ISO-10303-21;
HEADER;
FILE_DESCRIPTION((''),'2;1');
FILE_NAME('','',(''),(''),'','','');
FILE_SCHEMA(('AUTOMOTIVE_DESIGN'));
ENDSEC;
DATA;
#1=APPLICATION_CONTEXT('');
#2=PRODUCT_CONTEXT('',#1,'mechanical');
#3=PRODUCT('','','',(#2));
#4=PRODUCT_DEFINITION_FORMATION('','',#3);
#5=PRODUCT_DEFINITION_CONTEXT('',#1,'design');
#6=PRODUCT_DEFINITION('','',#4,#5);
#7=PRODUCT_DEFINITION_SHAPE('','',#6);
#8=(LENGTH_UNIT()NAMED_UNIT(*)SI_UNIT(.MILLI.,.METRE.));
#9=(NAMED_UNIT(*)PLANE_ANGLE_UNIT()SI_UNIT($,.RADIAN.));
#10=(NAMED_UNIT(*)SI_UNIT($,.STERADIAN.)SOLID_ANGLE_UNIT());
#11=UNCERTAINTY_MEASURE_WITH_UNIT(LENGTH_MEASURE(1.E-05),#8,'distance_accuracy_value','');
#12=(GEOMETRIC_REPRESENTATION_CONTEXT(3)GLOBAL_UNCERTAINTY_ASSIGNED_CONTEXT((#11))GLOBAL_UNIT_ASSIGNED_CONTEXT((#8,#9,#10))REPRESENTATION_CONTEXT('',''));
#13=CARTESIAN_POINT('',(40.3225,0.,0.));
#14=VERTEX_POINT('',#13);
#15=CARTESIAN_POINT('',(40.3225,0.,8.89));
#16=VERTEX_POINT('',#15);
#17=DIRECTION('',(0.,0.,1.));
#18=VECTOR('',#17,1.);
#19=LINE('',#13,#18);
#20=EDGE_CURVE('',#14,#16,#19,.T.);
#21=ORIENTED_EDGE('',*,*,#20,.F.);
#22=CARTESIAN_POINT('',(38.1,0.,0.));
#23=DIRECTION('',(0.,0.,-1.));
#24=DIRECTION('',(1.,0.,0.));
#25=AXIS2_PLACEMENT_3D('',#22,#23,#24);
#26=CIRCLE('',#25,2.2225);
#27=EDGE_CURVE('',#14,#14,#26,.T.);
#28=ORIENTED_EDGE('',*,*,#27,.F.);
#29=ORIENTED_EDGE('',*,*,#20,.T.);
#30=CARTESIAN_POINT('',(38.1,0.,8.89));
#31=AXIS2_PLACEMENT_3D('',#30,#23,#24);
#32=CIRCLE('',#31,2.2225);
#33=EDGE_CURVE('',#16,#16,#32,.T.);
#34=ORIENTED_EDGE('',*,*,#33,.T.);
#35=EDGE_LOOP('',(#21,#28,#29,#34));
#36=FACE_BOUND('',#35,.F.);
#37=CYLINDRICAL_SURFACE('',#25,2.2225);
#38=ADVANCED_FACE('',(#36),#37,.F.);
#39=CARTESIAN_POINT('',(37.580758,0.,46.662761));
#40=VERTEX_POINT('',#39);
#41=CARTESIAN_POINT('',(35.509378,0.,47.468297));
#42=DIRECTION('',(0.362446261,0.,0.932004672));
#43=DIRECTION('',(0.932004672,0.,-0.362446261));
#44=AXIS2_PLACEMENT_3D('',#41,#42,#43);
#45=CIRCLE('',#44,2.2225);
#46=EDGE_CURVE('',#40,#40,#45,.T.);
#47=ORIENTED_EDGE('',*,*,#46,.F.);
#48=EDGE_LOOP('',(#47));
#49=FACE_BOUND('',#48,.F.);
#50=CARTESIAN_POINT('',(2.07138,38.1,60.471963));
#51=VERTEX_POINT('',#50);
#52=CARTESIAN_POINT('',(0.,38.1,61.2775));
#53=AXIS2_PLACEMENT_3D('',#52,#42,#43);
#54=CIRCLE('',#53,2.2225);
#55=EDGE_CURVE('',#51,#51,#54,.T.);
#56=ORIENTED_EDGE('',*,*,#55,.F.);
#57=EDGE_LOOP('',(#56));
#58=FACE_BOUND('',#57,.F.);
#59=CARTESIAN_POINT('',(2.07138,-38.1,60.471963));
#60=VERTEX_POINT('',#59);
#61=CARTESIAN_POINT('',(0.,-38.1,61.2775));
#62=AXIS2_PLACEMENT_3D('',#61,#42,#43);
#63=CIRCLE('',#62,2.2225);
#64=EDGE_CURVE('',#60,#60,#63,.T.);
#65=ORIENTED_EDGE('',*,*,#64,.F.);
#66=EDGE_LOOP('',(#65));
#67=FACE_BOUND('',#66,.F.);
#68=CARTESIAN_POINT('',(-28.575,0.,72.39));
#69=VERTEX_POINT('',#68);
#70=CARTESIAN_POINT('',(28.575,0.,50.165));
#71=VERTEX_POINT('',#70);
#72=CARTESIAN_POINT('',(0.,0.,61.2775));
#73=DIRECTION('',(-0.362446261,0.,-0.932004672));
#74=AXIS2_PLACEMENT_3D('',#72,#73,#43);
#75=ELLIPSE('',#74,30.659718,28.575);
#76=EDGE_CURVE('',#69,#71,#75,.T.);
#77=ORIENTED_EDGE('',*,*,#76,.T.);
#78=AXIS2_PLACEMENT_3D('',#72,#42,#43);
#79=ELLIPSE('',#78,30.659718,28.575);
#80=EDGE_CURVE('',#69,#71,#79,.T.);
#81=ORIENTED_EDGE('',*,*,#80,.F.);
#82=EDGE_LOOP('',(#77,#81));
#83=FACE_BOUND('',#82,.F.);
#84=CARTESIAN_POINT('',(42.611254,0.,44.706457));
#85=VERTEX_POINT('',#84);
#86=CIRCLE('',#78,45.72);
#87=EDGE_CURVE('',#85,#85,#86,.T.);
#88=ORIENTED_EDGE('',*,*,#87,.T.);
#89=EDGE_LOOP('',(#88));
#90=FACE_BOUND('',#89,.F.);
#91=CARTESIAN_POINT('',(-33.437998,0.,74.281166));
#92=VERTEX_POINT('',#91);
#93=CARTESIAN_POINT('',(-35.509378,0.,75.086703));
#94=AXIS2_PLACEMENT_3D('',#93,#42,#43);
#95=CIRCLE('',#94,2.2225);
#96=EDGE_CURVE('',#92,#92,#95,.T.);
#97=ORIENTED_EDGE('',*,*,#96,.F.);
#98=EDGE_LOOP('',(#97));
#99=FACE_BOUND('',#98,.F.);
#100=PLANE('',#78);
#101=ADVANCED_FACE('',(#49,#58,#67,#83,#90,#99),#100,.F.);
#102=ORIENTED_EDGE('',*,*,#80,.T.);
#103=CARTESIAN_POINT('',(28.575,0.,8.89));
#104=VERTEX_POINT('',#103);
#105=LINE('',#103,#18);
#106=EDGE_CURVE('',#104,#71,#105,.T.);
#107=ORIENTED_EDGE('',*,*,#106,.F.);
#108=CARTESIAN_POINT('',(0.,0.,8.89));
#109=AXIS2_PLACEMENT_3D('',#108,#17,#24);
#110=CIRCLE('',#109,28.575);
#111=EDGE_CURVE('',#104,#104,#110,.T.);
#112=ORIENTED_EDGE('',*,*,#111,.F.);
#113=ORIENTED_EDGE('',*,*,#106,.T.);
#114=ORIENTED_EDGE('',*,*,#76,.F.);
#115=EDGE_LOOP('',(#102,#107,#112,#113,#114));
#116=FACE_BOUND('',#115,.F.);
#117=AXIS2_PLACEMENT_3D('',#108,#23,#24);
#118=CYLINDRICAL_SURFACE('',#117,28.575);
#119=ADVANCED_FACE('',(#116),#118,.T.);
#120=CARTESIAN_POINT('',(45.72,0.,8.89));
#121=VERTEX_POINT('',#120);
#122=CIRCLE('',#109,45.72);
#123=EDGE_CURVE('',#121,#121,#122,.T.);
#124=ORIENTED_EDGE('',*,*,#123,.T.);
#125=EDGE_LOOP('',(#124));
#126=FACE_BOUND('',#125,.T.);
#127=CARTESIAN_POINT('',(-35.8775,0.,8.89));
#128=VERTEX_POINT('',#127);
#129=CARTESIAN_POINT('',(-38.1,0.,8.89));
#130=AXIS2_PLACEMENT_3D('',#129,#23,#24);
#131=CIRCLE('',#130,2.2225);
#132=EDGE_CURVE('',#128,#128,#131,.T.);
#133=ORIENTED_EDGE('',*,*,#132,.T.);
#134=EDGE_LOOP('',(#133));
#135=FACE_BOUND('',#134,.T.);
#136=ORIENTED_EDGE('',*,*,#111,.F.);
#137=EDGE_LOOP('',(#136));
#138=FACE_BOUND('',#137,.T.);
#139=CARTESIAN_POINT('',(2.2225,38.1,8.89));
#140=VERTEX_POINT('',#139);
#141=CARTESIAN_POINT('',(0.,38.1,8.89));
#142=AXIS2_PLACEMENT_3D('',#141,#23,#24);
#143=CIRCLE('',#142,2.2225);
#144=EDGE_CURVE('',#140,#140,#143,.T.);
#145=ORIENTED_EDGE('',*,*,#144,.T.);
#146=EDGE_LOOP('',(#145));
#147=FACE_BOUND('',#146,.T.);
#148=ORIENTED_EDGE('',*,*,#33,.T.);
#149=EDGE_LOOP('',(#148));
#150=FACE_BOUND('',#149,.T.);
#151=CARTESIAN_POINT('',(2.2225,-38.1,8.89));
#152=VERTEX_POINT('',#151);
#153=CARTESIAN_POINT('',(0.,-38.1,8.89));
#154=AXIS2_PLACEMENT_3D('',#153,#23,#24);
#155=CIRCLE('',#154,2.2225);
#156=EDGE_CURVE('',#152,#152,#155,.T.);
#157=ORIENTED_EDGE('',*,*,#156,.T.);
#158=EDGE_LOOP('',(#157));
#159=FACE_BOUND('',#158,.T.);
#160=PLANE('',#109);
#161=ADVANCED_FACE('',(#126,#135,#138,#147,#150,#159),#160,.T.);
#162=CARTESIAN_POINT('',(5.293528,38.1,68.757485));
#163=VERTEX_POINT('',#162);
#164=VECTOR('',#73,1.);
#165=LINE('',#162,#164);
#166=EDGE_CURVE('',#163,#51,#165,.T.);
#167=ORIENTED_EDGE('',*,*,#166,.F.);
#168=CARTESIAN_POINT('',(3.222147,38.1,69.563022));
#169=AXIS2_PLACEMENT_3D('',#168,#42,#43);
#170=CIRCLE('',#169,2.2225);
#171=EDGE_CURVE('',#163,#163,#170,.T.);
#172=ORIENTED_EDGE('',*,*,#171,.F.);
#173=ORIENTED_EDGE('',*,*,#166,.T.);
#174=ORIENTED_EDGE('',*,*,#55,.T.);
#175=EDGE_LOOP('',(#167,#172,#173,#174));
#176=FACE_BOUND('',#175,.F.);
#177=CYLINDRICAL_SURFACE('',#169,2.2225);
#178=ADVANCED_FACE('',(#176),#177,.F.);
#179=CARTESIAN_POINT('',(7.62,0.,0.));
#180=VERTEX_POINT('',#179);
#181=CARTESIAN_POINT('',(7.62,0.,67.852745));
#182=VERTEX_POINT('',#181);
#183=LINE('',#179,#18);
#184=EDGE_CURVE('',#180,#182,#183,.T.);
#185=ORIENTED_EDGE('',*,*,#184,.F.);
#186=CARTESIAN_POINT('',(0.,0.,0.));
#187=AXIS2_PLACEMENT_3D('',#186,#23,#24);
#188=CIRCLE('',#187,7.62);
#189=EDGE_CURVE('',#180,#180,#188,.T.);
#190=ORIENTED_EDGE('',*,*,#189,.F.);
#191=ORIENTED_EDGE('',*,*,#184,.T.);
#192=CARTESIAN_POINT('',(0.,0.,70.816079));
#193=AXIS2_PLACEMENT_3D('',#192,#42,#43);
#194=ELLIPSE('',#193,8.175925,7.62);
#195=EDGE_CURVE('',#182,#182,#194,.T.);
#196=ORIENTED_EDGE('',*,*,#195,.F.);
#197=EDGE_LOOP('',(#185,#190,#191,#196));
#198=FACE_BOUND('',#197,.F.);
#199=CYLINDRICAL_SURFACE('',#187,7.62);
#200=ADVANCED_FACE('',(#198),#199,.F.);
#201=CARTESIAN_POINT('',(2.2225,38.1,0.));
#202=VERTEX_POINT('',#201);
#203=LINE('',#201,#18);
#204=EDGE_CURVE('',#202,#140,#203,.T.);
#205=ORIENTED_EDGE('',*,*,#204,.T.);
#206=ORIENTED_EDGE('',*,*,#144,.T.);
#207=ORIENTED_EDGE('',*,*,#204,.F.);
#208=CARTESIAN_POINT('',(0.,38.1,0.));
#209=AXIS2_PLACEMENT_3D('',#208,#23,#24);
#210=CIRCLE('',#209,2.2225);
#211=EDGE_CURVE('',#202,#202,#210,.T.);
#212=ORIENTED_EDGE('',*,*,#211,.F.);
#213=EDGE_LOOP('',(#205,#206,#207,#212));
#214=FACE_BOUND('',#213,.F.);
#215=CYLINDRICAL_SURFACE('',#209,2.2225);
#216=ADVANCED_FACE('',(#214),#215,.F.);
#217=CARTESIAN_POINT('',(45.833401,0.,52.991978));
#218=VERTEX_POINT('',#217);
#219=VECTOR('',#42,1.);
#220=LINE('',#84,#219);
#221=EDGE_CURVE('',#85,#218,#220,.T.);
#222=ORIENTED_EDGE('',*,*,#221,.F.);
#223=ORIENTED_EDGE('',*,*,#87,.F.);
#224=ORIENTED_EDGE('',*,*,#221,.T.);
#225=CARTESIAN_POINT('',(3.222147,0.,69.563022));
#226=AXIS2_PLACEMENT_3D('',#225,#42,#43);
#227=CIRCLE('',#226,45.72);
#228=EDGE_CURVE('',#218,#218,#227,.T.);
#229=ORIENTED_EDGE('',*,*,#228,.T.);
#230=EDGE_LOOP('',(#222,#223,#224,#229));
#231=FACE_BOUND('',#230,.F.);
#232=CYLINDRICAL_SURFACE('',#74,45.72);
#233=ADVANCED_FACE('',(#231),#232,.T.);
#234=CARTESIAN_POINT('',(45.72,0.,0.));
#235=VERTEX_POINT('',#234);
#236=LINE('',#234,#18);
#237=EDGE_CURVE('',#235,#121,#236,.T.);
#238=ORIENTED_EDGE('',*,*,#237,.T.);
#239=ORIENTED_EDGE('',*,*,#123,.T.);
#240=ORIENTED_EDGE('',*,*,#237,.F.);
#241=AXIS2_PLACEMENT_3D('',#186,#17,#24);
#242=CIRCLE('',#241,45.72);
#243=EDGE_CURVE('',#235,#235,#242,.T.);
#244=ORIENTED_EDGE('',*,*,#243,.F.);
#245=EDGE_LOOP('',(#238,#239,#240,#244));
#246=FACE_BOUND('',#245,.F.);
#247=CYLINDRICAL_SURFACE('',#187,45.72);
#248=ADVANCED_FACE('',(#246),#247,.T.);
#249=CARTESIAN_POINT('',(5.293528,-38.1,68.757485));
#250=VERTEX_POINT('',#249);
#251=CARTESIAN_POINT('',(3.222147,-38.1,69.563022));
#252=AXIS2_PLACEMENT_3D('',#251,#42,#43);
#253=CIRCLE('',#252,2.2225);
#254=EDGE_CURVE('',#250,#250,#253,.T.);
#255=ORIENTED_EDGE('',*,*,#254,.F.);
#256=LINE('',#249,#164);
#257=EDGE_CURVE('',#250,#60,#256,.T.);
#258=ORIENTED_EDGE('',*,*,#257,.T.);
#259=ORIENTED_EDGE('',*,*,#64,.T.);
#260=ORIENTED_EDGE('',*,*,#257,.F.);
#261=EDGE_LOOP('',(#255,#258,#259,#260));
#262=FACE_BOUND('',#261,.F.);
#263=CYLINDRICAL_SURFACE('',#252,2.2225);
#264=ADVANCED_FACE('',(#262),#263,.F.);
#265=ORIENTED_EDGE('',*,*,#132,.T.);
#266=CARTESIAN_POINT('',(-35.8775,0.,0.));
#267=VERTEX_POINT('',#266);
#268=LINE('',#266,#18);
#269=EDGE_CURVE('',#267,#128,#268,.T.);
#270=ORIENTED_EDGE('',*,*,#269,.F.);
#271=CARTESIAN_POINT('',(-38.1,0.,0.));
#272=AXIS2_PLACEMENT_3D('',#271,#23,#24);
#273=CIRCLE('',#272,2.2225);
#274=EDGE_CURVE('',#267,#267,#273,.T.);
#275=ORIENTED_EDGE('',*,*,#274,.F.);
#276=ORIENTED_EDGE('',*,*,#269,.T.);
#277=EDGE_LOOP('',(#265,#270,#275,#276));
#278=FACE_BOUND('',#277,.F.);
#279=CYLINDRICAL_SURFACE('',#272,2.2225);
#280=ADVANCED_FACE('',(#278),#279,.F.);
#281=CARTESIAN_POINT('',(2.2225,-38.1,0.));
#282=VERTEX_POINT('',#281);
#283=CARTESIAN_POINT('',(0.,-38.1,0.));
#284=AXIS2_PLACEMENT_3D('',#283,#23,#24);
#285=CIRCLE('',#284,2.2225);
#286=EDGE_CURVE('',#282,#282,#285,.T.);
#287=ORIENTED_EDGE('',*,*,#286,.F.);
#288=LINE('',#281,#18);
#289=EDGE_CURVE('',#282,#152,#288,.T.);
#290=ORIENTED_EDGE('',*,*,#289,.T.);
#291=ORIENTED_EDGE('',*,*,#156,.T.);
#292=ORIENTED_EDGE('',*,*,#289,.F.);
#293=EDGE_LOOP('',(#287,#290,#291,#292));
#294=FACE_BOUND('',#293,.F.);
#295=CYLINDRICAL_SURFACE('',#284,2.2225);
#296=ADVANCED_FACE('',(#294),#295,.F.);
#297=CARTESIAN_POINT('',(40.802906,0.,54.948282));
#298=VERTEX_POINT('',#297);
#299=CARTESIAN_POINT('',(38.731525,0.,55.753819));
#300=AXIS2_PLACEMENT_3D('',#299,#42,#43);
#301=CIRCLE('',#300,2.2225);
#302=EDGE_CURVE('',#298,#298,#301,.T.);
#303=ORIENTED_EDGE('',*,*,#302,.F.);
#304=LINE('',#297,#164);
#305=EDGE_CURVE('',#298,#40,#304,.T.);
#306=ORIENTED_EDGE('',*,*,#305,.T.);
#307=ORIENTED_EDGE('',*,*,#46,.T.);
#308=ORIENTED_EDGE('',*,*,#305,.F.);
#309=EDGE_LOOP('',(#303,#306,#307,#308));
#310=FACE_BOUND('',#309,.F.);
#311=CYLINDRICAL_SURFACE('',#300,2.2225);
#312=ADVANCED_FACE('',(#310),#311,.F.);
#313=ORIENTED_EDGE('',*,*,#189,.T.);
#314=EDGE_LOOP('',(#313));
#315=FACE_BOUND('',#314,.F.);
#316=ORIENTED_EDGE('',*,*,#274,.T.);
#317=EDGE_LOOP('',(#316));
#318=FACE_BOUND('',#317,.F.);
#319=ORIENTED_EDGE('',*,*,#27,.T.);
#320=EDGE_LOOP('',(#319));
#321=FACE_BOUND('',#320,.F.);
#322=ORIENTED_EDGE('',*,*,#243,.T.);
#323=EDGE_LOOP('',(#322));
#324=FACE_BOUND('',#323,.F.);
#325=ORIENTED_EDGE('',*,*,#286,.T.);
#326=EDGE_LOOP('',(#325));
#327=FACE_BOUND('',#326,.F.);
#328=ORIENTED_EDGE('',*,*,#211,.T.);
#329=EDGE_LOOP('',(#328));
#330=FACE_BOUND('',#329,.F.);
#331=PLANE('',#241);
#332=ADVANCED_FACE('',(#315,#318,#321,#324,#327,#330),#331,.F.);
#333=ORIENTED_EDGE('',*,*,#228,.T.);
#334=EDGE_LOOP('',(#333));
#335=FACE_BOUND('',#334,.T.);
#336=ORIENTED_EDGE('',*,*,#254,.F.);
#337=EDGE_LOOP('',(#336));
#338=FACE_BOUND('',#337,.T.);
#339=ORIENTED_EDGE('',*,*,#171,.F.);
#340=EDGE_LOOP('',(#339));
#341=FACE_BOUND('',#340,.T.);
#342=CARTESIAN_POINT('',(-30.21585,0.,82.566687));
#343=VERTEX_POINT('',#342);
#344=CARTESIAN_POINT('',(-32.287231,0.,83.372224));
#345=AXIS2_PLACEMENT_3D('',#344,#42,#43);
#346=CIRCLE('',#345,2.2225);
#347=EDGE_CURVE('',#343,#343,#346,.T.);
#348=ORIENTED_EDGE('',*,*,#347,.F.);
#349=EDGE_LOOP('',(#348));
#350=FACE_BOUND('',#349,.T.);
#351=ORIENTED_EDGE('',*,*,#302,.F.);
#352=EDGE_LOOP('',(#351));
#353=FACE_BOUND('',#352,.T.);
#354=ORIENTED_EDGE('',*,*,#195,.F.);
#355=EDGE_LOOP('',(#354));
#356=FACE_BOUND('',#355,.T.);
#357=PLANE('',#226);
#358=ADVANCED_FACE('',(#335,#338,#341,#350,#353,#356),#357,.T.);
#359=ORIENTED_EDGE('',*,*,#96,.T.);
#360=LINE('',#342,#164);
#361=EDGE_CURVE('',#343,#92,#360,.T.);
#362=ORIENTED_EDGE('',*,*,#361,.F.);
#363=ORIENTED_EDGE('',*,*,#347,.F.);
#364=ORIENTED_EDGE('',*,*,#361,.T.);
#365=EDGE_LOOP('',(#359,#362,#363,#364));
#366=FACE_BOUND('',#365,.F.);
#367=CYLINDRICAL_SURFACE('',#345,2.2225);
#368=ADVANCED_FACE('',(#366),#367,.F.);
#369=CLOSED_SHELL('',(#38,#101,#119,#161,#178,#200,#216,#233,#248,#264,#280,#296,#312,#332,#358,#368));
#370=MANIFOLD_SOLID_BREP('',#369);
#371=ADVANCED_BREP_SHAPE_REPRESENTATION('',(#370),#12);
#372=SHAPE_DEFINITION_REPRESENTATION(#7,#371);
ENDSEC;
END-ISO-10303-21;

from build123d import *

# Parameters (mm, degrees)
F0_R          = 45.72
F1_DEPTH      = 8.89
F2_R          = 28.575
F3_DEPTH      = 63.5
F5_DEPTH      = 45.721
F5_DEPTH_BACK = 45.721
F6_R          = 45.72
F7_DEPTH      = 8.89
F8_R          = 7.62
F9_DEPTH      = 86.13506459
F10_R         = 2.2225
F11_DEPTH     = 8.89
F12_R         = 2.2225
F13_DEPTH     = 8.89


with BuildPart() as f1:
    # F0 (on Top) → F1 (new body)
    with BuildSketch(Plane.XY):
        Circle(F0_R)
    extrude(amount=F1_DEPTH)

    # F2 (on face) → F3 (join)
    with BuildSketch(Plane.XY.offset(8.89)):
        Circle(F2_R)
    extrude(amount=F3_DEPTH)

    # F4 (on Front) → F5 (cut, two sides)
    with BuildSketch(Plane.XZ) as f5_sk:
        Polygon((28.575, 72.39), (-28.575, 72.39), (28.575, 50.165), align=None)
    extrude(amount=-F5_DEPTH, mode=Mode.SUBTRACT)
    extrude(f5_sk.sketch, amount=F5_DEPTH_BACK, mode=Mode.SUBTRACT)

    # F6 (on face) → F7 (join)
    with BuildSketch(Plane(origin=(20.6996380697, 0, 53.2276407507), x_dir=(0.9320046715, 0, -0.3624462612), z_dir=(0.3624462612, 0, 0.9320046715))):
        with Locations((-22.2098007679, 0)):
            Circle(F6_R)
    extrude(amount=F7_DEPTH)

    # F8 (on face) → F9 (cut, through all)
    with BuildSketch(Plane(origin=(0, 0, 0), x_dir=(1, 0, 0), z_dir=(0, 0, -1))):
        Circle(F8_R)
    extrude(amount=-F9_DEPTH, mode=Mode.SUBTRACT)

    # F10 (on face) → F11 (cut, through all)
    with BuildSketch(Plane(origin=(0, 0, 0), x_dir=(1, 0, 0), z_dir=(0, 0, -1))):
        with Locations((0, -38.1)):
            Circle(F10_R)
        with Locations((38.1, 0)):
            Circle(F10_R)
        with Locations((0, 38.1)):
            Circle(F10_R)
        with Locations((-38.1, 0)):
            Circle(F10_R)
    extrude(amount=-F11_DEPTH, mode=Mode.SUBTRACT)

    # F12 (on face) → F13 (cut, through all)
    with BuildSketch(Plane(origin=(23.9217853314, 0, 61.5131622807), x_dir=(0.9320046715, 0, -0.3624462612), z_dir=(0.3624462612, 0, 0.9320046715))):
        with Locations((-22.2098007679, -38.1)):
            Circle(F12_R)
        with Locations((15.8901992321, 0)):
            Circle(F12_R)
        with Locations((-60.3098007679, 0)):
            Circle(F12_R)
        with Locations((-22.2098007679, 38.1)):
            Circle(F12_R)
    extrude(amount=-F13_DEPTH, mode=Mode.SUBTRACT)


solid = f1.part
